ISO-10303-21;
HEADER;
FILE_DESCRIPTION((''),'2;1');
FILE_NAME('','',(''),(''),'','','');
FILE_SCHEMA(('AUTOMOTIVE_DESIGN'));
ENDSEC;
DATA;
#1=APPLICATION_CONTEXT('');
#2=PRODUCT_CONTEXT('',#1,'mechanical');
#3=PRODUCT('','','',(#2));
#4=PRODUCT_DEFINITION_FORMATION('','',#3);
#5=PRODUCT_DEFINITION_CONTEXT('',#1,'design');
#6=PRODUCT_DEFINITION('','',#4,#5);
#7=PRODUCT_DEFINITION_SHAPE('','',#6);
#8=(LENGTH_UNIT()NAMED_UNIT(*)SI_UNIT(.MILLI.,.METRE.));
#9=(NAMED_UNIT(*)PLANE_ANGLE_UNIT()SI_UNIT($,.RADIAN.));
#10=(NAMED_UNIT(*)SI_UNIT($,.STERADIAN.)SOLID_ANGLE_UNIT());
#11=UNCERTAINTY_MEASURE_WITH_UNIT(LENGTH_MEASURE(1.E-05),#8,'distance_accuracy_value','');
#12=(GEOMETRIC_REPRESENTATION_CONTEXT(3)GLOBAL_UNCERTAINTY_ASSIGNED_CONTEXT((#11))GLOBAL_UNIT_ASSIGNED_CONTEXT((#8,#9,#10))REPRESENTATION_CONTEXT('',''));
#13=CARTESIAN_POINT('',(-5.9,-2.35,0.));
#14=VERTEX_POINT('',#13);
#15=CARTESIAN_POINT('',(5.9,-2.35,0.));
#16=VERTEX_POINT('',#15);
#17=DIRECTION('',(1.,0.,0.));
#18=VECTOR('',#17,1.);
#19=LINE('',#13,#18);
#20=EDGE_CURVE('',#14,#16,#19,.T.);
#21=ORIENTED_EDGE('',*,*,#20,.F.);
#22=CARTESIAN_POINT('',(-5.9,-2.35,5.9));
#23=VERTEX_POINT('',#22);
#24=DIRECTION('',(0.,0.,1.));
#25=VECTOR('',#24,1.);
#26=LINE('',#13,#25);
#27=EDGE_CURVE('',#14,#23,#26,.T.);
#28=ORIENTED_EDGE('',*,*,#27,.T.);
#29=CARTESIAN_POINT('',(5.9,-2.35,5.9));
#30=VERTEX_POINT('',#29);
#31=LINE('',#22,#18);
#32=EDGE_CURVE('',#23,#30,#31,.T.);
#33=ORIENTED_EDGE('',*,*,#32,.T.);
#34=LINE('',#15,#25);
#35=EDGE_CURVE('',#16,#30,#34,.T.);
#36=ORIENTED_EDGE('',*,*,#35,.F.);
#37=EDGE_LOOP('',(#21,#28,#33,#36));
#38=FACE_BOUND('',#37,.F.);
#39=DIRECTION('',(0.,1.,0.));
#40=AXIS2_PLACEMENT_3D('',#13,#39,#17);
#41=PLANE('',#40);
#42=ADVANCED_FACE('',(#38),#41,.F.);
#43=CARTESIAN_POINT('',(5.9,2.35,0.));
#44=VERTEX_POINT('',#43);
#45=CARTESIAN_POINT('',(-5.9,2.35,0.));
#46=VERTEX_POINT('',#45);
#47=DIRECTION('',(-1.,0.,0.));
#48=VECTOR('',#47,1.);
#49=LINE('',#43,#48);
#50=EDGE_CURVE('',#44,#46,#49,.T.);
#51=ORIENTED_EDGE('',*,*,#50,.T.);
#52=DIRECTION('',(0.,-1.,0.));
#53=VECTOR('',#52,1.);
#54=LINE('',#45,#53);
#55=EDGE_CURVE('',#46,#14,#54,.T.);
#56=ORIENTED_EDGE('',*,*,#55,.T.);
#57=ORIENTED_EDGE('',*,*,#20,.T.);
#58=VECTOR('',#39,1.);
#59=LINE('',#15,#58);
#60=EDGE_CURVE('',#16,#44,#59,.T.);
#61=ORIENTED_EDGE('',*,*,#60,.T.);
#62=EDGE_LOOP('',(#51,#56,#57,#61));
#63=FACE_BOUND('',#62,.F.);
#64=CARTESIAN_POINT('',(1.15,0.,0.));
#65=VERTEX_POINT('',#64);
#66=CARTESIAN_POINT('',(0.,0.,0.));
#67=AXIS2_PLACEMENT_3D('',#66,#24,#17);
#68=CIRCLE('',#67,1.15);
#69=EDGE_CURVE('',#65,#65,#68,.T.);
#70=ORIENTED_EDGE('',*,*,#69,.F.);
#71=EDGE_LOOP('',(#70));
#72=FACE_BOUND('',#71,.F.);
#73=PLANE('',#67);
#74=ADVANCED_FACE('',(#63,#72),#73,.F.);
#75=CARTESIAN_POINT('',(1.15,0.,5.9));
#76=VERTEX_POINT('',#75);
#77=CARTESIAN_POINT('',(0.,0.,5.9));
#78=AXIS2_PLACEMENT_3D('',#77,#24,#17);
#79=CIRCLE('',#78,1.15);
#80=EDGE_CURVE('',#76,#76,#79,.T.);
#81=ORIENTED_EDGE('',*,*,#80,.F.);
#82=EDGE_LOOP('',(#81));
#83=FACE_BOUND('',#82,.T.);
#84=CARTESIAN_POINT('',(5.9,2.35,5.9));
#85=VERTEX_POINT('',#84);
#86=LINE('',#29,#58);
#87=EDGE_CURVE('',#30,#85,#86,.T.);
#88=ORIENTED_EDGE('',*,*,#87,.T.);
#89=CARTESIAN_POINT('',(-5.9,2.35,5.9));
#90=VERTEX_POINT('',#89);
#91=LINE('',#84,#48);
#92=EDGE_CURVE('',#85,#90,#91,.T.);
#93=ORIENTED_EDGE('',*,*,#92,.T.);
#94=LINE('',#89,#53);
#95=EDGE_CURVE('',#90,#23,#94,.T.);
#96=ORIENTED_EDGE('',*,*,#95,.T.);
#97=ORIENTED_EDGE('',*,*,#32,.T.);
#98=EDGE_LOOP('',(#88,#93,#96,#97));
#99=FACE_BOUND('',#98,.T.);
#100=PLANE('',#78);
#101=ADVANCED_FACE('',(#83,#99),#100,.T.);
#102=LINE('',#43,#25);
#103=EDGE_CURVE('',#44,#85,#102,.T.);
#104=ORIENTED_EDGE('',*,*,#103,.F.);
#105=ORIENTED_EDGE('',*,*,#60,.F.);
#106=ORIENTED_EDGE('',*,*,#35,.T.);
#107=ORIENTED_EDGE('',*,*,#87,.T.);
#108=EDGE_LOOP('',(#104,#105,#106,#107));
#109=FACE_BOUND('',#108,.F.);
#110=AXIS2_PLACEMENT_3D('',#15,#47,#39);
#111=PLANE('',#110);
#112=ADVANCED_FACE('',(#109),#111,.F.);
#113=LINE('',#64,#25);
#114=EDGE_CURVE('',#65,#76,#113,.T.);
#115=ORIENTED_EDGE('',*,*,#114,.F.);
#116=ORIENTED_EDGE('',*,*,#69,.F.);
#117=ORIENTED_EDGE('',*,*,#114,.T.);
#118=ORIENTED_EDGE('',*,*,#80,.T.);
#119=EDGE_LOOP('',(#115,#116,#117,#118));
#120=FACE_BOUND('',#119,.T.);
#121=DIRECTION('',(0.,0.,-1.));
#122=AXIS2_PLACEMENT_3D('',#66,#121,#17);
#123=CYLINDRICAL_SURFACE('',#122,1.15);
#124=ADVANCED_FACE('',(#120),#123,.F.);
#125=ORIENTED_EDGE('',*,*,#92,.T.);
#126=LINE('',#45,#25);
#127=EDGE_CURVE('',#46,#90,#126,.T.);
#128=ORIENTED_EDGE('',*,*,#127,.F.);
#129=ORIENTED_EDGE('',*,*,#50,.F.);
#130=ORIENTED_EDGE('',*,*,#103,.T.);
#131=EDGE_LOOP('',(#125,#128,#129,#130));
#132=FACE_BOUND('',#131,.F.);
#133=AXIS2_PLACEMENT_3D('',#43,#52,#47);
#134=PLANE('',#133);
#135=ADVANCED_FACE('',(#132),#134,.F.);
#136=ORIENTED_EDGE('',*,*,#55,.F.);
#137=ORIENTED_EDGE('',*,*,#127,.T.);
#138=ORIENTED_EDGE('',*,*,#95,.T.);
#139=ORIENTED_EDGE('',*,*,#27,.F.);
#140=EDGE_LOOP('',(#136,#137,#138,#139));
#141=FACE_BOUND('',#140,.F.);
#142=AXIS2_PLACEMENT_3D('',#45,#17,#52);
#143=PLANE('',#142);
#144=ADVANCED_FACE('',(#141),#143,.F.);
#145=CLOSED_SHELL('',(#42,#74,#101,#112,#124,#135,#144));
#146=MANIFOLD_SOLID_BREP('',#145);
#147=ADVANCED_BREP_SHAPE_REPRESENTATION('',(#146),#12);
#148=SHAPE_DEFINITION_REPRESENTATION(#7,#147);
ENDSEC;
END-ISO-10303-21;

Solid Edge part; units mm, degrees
sketch "Sketch1" plane through (0, 0, 0) normal (0, 0, 1) x (1, 0, 0)
  line L0 (-5.9, -2.35) -> (5.9, -2.35)
  line L1 (5.9, -2.35) -> (5.9, 2.35)
  line L2 (5.9, 2.35) -> (-5.9, 2.35)
  line L3 (-5.9, 2.35) -> (-5.9, -2.35)
  circle A0 centre (0, 0) radius 1.15
extrude "Protrusion1" add sketch "Sketch1" along normal blind 5.9
properties material "Wood, Pine"
